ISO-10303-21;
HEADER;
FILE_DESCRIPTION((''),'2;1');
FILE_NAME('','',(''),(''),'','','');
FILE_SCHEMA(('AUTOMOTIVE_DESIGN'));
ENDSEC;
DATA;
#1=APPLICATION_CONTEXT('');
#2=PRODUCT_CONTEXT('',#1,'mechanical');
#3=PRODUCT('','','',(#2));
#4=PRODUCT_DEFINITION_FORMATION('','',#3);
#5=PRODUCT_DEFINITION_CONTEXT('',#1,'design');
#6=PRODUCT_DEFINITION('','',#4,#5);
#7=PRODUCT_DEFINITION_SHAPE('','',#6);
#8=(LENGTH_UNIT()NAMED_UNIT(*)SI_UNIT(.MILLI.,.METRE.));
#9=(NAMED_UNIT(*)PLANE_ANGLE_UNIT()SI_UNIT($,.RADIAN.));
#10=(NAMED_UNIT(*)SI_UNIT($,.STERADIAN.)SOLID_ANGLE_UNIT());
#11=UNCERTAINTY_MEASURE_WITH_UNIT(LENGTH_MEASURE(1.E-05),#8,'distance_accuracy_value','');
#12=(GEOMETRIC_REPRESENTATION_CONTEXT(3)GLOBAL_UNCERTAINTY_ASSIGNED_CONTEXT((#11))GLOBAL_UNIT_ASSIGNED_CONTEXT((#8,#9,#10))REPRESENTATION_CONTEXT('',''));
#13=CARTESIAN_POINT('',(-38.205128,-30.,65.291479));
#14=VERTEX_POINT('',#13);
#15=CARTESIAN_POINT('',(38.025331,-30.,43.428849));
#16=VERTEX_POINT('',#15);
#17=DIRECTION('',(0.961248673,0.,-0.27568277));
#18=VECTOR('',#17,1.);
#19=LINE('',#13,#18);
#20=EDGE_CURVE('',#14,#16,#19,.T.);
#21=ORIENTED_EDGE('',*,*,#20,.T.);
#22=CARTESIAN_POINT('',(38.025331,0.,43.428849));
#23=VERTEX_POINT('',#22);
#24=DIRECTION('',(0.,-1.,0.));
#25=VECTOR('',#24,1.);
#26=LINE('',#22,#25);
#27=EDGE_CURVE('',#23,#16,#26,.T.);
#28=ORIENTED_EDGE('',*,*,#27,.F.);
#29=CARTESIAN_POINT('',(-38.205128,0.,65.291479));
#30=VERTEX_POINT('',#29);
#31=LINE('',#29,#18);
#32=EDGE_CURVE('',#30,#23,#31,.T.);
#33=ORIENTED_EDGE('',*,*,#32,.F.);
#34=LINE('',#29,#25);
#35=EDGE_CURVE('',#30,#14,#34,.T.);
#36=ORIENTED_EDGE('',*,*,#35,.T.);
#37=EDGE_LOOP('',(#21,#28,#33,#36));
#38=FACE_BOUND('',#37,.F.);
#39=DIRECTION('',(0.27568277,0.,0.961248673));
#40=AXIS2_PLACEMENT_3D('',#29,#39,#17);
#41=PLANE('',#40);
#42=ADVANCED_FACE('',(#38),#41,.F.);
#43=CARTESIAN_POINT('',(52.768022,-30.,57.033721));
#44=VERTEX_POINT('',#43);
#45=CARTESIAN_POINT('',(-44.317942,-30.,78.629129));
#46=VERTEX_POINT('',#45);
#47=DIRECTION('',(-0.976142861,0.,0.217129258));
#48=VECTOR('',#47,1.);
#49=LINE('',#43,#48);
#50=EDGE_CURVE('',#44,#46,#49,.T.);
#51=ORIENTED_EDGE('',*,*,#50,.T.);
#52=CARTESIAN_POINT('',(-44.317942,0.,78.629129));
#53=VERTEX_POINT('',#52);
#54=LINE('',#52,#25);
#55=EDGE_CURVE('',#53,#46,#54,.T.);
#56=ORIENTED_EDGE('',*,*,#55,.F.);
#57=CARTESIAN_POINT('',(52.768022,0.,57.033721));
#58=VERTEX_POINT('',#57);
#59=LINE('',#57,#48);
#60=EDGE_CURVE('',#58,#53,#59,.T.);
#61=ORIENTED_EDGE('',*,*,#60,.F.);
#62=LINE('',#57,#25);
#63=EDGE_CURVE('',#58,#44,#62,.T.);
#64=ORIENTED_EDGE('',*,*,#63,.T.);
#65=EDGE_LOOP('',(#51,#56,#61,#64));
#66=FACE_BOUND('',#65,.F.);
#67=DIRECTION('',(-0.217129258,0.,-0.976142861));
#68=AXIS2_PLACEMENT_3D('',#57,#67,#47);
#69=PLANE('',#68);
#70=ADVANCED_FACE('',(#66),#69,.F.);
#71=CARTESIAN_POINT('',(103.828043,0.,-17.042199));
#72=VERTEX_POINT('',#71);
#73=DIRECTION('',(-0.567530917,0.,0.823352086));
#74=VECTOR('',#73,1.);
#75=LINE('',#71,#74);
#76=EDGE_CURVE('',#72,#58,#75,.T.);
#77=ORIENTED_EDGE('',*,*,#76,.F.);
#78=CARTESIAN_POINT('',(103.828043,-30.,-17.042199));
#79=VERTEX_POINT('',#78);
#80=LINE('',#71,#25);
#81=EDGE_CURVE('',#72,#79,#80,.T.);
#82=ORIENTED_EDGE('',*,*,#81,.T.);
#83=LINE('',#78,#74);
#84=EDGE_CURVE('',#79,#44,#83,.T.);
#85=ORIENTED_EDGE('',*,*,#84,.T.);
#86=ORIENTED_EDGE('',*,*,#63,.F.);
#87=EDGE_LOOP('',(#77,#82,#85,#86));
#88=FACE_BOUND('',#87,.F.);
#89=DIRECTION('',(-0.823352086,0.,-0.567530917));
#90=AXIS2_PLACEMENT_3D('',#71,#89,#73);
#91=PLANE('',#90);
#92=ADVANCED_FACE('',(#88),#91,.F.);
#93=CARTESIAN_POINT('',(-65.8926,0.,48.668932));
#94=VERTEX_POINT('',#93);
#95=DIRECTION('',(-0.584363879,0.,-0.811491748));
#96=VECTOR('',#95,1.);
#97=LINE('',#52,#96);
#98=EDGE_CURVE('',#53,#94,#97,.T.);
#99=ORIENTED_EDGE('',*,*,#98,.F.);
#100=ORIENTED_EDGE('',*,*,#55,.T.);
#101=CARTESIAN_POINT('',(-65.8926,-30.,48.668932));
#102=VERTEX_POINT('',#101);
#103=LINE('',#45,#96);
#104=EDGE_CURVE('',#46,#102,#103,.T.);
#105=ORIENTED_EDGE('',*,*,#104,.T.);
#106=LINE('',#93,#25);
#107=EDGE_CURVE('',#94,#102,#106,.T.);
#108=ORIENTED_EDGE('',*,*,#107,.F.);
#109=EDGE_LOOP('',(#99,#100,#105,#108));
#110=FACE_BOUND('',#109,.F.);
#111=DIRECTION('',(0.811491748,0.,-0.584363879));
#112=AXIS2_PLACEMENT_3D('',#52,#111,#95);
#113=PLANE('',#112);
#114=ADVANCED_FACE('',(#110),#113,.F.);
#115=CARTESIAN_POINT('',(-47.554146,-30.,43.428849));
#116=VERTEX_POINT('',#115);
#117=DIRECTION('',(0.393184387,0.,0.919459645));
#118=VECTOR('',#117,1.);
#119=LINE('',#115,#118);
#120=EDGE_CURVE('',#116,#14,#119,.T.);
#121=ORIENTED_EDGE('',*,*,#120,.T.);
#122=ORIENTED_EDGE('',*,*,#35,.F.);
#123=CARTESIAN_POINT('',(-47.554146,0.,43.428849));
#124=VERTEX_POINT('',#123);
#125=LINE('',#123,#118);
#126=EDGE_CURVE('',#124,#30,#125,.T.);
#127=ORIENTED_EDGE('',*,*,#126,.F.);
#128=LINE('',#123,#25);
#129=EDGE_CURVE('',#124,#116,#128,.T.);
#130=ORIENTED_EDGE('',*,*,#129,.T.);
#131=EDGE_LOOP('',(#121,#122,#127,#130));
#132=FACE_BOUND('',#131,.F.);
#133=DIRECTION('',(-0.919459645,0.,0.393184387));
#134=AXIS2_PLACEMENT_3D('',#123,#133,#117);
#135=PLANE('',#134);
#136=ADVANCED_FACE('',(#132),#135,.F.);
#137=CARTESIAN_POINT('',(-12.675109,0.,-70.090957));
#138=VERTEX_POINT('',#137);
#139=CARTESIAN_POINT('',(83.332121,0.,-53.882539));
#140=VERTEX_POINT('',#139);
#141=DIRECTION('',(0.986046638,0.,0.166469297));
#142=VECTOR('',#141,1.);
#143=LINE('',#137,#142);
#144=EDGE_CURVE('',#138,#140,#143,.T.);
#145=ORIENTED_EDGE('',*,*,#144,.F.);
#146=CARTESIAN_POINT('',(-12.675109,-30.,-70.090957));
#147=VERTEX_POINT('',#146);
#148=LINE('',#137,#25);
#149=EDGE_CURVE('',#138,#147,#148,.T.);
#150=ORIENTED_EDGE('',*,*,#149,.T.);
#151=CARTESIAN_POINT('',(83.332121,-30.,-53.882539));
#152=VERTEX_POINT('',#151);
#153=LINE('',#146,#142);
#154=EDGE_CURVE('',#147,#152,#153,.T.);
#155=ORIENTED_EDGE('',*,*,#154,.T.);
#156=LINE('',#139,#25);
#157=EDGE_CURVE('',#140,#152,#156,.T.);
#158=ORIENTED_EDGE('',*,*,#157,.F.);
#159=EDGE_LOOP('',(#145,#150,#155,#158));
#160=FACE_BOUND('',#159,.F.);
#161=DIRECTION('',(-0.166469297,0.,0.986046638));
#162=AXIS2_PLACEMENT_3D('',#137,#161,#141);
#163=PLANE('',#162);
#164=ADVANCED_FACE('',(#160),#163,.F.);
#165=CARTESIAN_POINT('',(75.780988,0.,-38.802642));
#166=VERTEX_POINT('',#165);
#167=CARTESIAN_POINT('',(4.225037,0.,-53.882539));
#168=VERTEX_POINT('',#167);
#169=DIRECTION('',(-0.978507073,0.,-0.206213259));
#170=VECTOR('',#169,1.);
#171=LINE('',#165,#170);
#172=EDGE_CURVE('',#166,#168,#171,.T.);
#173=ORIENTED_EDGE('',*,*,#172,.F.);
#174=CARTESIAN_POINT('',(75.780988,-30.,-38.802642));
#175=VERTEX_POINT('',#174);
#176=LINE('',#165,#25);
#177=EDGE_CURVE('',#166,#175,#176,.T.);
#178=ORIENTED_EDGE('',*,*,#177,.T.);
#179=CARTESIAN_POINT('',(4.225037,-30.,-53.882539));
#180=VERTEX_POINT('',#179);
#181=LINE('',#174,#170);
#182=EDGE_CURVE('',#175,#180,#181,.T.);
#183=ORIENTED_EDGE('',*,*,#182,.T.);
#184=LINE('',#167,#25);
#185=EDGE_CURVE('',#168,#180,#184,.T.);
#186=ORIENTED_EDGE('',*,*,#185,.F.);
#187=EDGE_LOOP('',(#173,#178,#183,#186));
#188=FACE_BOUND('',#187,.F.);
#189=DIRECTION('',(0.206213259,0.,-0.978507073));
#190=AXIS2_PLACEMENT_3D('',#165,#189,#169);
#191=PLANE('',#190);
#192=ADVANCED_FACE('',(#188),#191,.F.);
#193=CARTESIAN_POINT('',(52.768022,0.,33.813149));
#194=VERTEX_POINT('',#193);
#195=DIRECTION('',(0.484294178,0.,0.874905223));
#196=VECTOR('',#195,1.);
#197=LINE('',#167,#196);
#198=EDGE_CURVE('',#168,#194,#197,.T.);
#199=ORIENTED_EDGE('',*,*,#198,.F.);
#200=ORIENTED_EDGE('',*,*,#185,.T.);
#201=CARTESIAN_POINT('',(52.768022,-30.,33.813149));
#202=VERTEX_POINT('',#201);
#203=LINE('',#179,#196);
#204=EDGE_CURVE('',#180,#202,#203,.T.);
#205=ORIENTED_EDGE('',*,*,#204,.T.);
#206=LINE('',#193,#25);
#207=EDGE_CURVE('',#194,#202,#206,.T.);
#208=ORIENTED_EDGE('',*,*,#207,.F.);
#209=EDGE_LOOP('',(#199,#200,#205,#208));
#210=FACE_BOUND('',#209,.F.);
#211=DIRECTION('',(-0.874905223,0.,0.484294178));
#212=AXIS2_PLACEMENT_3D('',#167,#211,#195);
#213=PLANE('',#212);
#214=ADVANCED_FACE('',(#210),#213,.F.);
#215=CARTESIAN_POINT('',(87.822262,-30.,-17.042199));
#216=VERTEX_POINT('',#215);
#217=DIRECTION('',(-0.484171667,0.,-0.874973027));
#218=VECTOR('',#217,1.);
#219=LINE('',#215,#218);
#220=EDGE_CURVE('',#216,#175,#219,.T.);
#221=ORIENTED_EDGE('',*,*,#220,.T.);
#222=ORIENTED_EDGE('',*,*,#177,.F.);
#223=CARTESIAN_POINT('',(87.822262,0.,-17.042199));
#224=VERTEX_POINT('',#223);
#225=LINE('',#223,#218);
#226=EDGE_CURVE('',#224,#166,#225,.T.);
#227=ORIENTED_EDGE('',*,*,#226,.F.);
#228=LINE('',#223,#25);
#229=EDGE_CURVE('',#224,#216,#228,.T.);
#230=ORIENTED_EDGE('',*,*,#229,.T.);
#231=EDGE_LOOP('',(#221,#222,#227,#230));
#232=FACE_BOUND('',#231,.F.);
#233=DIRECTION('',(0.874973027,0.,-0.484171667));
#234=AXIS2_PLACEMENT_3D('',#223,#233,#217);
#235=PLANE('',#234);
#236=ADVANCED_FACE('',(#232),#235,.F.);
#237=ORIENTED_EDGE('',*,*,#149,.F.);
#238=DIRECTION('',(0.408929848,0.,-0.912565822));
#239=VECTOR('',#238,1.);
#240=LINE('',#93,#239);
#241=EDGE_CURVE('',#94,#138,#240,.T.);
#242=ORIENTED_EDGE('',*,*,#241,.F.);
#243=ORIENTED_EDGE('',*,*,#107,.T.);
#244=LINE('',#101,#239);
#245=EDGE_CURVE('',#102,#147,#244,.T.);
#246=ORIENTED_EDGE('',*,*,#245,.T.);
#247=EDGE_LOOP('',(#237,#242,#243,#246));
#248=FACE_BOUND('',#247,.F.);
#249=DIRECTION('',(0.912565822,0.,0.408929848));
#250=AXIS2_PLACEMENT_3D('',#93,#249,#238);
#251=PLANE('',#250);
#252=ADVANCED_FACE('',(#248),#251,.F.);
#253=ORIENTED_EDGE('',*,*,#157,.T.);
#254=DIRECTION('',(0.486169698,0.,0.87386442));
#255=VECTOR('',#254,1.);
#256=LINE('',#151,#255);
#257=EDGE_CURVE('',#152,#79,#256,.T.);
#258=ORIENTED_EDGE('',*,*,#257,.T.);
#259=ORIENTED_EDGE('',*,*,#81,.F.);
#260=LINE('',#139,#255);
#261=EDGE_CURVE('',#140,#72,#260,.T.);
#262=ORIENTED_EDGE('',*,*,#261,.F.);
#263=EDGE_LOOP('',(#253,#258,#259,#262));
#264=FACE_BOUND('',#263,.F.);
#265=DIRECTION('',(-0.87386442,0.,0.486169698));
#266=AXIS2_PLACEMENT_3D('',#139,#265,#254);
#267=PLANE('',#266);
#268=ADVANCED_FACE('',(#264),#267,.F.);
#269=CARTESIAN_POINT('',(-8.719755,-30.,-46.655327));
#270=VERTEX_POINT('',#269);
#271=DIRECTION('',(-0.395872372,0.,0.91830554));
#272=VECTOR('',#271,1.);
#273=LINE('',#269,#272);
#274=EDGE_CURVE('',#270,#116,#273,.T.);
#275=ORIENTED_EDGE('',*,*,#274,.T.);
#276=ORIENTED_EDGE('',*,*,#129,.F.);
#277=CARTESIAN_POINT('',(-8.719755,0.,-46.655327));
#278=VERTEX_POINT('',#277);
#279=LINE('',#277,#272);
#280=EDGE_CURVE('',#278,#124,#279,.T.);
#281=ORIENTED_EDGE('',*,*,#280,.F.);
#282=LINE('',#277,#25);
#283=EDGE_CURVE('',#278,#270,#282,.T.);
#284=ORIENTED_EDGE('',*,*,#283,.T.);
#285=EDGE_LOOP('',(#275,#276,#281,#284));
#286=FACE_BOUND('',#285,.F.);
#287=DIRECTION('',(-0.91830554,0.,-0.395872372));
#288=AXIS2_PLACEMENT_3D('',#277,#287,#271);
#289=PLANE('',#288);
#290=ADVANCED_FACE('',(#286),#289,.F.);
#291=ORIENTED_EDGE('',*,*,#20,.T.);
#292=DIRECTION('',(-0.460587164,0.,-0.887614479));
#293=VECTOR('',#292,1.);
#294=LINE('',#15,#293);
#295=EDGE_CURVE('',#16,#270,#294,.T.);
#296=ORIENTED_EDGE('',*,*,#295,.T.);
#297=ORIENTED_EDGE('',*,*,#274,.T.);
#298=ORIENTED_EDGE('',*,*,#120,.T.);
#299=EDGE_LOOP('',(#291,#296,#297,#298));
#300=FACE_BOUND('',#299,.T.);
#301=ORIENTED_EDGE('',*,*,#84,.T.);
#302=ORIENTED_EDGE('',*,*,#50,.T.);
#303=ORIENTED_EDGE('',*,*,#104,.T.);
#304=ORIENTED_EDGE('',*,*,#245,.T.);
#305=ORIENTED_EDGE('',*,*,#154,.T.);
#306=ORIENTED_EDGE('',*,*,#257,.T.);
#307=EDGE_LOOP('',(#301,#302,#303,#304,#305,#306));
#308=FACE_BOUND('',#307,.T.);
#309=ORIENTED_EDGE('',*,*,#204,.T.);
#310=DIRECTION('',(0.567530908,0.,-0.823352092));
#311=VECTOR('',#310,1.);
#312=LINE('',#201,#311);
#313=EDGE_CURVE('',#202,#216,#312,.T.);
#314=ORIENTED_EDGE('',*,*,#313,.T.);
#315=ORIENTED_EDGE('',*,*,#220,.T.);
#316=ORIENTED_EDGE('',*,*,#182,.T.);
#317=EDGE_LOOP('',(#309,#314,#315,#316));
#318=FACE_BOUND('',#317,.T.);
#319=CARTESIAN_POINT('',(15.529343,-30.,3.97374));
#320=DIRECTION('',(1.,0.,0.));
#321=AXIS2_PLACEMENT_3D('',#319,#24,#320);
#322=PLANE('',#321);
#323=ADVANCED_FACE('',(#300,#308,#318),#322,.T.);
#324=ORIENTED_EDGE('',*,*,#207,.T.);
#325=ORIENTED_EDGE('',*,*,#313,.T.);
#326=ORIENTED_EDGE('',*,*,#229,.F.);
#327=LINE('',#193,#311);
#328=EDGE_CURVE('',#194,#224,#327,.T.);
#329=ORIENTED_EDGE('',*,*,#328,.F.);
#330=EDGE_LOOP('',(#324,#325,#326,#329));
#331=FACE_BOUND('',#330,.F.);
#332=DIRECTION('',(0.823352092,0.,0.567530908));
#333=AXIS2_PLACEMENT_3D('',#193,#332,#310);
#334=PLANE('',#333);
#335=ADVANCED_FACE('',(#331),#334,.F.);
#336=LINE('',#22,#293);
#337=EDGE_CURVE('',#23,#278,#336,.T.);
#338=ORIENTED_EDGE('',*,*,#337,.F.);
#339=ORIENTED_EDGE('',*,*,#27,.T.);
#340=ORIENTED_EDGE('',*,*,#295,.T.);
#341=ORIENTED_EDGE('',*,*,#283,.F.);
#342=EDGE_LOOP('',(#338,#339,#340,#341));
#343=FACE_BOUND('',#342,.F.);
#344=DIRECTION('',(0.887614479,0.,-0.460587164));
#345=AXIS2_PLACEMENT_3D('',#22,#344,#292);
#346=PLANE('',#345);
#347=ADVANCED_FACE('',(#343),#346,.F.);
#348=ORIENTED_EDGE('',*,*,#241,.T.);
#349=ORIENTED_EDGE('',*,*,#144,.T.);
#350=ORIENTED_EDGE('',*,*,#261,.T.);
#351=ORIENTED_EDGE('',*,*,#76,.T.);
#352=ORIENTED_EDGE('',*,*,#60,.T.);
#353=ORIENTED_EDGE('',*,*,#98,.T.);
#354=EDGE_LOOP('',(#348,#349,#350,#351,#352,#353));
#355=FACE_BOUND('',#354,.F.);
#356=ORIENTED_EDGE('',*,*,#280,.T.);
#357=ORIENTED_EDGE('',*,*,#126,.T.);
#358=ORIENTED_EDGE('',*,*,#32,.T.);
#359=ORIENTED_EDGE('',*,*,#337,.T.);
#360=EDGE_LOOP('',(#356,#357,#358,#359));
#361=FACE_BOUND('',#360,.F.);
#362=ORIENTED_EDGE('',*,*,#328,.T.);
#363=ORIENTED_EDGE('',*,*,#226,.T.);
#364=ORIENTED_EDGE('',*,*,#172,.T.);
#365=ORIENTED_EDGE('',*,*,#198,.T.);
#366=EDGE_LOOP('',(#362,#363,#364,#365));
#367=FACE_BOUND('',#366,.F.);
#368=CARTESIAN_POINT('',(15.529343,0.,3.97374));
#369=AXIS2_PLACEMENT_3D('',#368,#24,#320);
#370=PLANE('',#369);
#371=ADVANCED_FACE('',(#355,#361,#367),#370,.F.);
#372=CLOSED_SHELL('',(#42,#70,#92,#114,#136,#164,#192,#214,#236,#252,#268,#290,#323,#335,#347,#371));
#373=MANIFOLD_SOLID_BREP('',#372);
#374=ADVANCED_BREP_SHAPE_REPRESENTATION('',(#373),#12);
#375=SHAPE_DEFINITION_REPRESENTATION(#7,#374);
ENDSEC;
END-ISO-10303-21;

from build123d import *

# Parameters (mm, degrees)
F1_DEPTH = 30


with BuildPart() as f1:
    # F0 (on Front) → F1 (new body)
    with BuildSketch(Plane.XZ):
        Polygon((52.768022, 57.033721), (-44.317942, 78.629129), (-65.8926, 48.668932), (-12.675109, -70.090957), (83.332121, -53.882539), (103.828043, -17.042199), align=None)
        Polygon((4.225037, -53.882539), (52.768022, 33.813149), (87.822262, -17.042199), (75.780988, -38.802642), align=None, mode=Mode.SUBTRACT)
        Polygon((-47.554146, 43.428849), (-38.205128, 65.291479), (38.025331, 43.428849), (-8.719755, -46.655327), align=None, mode=Mode.SUBTRACT)
    extrude(amount=F1_DEPTH)


solid = f1.part
